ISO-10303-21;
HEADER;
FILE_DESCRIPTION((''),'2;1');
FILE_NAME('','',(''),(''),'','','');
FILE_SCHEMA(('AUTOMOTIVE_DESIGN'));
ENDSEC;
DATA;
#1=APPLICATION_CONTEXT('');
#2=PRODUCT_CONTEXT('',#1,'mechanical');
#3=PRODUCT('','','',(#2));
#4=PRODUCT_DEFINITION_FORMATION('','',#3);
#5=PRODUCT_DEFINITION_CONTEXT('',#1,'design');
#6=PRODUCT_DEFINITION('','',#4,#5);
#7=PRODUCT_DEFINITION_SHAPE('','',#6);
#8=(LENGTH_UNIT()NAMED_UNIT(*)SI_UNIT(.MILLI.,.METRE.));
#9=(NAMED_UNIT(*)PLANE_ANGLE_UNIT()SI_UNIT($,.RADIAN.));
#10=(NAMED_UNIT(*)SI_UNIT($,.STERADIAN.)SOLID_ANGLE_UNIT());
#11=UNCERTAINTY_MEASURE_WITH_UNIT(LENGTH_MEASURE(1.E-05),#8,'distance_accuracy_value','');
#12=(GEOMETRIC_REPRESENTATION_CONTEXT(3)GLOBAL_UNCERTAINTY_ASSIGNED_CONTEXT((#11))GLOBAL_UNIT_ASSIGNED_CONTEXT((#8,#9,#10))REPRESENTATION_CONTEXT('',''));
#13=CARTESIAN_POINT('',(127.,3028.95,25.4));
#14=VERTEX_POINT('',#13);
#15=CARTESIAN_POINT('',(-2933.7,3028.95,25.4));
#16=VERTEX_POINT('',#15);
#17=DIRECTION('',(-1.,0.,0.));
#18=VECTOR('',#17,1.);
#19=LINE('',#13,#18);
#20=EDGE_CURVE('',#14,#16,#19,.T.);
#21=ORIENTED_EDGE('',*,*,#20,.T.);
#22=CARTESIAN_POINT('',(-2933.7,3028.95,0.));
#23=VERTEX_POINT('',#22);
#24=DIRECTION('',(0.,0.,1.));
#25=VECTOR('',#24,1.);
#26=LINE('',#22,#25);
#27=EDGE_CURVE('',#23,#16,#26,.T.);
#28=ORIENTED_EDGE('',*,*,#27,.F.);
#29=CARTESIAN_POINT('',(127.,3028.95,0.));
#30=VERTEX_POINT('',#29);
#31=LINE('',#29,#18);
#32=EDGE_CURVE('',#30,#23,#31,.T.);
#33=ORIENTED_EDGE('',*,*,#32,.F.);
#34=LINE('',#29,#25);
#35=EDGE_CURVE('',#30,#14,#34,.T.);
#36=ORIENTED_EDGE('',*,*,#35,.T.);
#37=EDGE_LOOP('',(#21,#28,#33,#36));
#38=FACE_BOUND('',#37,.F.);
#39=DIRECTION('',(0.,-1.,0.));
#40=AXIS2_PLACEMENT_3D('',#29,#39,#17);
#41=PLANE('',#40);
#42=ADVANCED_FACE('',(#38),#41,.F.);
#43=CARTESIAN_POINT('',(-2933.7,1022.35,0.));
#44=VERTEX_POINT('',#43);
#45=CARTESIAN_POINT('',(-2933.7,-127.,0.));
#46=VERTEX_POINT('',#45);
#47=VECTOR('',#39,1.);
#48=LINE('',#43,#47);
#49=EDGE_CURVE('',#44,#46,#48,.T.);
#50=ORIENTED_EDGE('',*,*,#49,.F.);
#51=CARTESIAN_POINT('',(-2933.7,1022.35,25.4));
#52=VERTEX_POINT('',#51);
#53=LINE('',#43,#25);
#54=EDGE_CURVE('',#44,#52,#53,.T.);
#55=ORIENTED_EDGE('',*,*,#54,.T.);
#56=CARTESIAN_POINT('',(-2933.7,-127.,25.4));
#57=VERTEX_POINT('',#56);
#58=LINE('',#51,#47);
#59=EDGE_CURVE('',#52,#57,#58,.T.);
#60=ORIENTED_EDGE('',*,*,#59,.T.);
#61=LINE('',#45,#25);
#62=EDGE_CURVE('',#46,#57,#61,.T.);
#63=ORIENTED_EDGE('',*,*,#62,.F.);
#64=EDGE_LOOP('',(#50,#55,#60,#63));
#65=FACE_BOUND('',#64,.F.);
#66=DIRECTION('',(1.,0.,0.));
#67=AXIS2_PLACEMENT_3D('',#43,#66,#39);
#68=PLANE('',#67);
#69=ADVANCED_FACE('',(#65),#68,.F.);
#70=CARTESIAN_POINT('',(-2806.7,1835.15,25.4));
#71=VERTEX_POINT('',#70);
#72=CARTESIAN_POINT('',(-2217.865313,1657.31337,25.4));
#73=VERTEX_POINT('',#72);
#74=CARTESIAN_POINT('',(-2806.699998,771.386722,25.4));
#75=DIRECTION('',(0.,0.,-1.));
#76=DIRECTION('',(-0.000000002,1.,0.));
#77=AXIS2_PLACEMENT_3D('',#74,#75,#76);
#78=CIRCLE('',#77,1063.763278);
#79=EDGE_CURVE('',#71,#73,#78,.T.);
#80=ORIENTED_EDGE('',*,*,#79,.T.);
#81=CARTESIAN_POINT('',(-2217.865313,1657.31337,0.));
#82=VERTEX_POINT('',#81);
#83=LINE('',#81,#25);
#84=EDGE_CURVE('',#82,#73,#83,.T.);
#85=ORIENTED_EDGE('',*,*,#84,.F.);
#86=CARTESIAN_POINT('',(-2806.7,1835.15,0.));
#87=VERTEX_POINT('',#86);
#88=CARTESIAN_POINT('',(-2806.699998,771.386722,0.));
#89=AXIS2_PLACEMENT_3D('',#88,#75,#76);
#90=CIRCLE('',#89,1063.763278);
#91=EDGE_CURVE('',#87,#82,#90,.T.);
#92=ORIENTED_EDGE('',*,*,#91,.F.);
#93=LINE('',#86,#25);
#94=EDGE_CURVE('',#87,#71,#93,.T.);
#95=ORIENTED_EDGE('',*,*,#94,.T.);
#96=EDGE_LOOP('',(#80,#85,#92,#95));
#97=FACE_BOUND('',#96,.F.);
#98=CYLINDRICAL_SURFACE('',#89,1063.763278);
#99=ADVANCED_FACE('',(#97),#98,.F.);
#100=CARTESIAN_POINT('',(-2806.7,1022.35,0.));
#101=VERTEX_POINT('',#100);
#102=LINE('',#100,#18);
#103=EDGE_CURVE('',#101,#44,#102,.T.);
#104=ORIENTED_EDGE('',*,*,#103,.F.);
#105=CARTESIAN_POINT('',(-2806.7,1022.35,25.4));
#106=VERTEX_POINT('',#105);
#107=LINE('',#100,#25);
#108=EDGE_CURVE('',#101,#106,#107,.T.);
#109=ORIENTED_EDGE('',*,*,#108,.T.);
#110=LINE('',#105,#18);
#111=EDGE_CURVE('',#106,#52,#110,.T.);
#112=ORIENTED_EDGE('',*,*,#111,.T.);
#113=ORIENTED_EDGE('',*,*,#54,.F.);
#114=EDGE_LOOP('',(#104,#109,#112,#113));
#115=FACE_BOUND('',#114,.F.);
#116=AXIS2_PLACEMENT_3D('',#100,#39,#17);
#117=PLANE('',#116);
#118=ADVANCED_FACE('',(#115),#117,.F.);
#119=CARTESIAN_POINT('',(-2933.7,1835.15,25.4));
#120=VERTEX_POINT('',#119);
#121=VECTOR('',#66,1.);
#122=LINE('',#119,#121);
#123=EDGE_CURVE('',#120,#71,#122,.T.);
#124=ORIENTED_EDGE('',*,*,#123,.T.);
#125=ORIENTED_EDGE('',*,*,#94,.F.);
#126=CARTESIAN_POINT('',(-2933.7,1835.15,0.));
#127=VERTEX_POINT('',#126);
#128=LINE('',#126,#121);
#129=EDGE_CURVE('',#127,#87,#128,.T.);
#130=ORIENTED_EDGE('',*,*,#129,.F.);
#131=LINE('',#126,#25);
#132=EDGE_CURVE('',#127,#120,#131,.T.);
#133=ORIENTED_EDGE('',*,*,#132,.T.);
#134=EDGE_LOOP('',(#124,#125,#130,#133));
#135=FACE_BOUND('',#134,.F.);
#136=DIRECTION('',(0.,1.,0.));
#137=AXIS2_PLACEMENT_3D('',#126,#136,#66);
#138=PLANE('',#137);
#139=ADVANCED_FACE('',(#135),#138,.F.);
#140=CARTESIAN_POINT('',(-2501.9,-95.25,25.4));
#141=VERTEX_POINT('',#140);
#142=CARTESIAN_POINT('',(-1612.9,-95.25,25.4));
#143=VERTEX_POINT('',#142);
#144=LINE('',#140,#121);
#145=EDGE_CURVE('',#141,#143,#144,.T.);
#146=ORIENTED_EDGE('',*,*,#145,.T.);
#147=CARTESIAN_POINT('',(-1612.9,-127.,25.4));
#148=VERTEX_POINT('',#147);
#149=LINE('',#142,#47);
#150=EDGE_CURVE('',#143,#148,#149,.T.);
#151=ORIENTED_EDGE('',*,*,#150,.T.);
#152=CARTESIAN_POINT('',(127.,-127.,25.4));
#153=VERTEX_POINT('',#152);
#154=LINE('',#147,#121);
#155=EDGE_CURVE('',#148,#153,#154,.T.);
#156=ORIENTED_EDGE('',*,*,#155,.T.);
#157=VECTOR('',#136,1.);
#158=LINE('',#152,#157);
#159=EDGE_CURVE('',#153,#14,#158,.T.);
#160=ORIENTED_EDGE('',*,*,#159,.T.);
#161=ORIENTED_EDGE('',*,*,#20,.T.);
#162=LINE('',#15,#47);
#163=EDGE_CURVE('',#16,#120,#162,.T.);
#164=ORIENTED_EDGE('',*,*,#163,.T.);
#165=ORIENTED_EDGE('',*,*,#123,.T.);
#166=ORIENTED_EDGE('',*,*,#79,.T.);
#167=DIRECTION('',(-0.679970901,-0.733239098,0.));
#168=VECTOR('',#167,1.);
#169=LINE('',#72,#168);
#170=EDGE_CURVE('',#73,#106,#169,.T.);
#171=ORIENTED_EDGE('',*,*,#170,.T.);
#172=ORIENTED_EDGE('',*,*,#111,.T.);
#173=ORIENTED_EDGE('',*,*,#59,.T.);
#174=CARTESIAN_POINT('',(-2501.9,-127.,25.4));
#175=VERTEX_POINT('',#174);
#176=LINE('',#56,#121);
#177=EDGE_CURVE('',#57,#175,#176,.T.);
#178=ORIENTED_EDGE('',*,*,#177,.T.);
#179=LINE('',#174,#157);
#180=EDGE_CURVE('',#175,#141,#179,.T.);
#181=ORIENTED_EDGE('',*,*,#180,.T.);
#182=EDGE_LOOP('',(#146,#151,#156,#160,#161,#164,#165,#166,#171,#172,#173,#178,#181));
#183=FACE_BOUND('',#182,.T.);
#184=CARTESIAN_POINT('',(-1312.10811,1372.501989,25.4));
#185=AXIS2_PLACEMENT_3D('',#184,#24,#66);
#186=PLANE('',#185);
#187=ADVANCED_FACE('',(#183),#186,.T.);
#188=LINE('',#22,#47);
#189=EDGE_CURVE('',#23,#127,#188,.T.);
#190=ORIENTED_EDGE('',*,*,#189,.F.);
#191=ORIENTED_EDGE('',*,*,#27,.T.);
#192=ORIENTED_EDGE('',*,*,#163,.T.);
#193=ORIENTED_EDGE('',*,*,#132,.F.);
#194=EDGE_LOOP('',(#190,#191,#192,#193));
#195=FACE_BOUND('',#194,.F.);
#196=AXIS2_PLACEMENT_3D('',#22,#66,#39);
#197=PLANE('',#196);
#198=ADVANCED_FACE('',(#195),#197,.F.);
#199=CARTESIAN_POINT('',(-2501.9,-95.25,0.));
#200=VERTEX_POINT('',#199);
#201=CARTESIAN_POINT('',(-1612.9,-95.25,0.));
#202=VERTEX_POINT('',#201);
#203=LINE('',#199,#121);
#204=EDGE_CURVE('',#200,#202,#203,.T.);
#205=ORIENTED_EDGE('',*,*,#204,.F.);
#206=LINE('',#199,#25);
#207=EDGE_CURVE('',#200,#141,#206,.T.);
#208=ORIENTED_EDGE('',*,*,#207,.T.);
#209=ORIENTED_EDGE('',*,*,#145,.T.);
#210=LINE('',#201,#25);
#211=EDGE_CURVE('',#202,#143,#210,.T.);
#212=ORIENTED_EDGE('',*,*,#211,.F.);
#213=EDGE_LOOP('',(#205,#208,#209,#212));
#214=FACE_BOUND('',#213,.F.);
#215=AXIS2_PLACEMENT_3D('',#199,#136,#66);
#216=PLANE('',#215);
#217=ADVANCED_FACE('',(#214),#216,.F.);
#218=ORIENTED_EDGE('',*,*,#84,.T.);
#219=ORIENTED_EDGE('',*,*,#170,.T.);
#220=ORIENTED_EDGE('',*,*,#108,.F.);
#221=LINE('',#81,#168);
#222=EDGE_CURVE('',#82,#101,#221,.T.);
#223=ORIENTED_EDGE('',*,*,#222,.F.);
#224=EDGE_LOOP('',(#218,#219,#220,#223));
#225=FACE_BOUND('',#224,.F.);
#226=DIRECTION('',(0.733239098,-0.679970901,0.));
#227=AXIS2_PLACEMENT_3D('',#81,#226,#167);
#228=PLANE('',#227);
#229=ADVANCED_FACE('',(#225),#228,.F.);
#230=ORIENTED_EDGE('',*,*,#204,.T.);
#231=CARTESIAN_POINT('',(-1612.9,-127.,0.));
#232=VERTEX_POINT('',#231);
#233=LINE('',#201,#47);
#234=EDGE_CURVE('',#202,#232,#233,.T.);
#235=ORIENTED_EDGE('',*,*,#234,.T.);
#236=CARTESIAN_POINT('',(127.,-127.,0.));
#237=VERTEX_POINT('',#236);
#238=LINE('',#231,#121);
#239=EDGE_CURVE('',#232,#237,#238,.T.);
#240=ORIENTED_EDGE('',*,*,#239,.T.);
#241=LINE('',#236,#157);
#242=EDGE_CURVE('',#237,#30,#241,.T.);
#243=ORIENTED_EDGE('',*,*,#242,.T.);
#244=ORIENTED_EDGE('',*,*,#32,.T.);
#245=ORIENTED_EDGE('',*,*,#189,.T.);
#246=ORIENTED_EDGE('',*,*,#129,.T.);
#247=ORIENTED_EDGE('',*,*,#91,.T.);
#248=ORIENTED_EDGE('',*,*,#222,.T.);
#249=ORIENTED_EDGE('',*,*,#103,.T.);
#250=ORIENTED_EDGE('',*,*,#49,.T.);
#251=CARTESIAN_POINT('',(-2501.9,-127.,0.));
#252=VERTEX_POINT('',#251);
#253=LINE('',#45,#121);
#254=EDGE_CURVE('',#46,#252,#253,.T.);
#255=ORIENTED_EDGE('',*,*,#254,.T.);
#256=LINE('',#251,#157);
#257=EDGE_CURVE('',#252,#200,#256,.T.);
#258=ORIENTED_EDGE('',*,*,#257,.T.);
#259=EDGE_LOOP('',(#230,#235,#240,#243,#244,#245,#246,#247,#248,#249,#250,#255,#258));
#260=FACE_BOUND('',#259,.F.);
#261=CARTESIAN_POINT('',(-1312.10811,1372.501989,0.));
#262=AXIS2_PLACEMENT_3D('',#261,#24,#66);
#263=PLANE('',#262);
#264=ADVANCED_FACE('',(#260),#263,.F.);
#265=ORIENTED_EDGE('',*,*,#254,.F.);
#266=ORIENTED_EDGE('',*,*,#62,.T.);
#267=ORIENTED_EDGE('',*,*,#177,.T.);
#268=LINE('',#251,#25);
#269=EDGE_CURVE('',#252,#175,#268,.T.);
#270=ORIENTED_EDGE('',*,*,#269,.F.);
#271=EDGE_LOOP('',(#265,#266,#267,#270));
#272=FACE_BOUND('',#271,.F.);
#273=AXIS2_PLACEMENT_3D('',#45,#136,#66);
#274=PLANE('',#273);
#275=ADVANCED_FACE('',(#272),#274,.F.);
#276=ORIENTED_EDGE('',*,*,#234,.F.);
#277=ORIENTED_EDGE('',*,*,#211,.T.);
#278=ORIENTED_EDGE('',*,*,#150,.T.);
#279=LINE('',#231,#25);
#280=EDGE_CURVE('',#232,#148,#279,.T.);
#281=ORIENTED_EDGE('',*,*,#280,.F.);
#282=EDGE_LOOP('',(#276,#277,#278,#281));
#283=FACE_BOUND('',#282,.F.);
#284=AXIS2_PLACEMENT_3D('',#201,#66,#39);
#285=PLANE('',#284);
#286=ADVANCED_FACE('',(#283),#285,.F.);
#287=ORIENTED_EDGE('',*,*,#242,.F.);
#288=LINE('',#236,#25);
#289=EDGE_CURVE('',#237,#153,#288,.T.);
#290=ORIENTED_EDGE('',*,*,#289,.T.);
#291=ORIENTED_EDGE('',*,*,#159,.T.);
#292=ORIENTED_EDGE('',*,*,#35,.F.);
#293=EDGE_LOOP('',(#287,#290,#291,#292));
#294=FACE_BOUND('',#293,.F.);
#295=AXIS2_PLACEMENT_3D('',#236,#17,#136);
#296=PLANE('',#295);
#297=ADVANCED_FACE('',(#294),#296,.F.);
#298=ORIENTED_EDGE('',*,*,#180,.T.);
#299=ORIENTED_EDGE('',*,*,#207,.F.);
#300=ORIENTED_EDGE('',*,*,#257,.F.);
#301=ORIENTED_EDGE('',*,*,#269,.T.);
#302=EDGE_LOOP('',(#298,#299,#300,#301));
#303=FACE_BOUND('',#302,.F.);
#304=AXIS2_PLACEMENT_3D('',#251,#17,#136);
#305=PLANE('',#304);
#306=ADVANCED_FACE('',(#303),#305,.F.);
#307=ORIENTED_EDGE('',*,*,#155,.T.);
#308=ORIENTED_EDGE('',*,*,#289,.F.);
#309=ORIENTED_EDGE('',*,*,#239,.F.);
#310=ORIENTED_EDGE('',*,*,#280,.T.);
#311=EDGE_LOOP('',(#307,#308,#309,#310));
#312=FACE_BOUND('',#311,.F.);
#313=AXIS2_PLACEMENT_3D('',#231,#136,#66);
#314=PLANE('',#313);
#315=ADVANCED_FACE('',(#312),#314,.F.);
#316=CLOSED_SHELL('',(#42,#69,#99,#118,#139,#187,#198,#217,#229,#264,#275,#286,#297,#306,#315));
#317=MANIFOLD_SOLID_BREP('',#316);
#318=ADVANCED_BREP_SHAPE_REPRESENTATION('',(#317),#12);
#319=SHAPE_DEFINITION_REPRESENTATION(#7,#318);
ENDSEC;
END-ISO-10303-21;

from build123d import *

# Parameters (mm, degrees)
F1_DEPTH = 25.4


with BuildPart() as f1:
    # F0 (on Top) → F1 (new body)
    with BuildSketch(Plane.XY):
        Polygon((-2806.7, 1835.15), (-2806.7, 2901.95), (0, 2901.95), (0, 0), (-1181.1, 0), (-1181.1, 990.6), (-1308.1, 990.6), (-1308.1, 0), (-1612.9, 0), (-1612.9, -31.75), (-2501.9, -31.75), (-2501.9, 0), (-2806.7, 0), (-2806.7, 1022.35), (-2933.7, 1022.35), (-2933.7, -127), (-2501.9, -127), (-2501.9, -95.25), (-1612.9, -95.25), (-1612.9, -127), (127, -127), (127, 3028.95), (-2933.7, 3028.95), (-2933.7, 1835.15), align=None)
        with BuildLine():
            Line((0, 2901.95), (-2806.7, 2901.95))
            Line((-2806.7, 2901.95), (-2806.7, 1835.15))
            ThreePointArc((-2806.7, 1835.15), (-2499.148315, 1789.72079), (-2217.865313, 1657.31337))
            Line((-2217.865313, 1657.31337), (-2806.7, 1022.35))
            Line((-2806.7, 1022.35), (-2806.7, 0))
            Line((-2806.7, 0), (-2501.9, 0))
            Line((-2501.9, 0), (-2501.9, -31.75))
            Line((-2501.9, -31.75), (-1612.9, -31.75))
            Line((-1612.9, -31.75), (-1612.9, 0))
            Line((-1612.9, 0), (-1308.1, 0))
            Line((-1308.1, 0), (-1308.1, 990.6))
            Line((-1308.1, 990.6), (-1181.1, 990.6))
            Line((-1181.1, 990.6), (-1181.1, 0))
            Line((-1181.1, 0), (0, 0))
            Line((0, 0), (0, 2901.95))
        make_face()
    extrude(amount=F1_DEPTH)


solid = f1.part
